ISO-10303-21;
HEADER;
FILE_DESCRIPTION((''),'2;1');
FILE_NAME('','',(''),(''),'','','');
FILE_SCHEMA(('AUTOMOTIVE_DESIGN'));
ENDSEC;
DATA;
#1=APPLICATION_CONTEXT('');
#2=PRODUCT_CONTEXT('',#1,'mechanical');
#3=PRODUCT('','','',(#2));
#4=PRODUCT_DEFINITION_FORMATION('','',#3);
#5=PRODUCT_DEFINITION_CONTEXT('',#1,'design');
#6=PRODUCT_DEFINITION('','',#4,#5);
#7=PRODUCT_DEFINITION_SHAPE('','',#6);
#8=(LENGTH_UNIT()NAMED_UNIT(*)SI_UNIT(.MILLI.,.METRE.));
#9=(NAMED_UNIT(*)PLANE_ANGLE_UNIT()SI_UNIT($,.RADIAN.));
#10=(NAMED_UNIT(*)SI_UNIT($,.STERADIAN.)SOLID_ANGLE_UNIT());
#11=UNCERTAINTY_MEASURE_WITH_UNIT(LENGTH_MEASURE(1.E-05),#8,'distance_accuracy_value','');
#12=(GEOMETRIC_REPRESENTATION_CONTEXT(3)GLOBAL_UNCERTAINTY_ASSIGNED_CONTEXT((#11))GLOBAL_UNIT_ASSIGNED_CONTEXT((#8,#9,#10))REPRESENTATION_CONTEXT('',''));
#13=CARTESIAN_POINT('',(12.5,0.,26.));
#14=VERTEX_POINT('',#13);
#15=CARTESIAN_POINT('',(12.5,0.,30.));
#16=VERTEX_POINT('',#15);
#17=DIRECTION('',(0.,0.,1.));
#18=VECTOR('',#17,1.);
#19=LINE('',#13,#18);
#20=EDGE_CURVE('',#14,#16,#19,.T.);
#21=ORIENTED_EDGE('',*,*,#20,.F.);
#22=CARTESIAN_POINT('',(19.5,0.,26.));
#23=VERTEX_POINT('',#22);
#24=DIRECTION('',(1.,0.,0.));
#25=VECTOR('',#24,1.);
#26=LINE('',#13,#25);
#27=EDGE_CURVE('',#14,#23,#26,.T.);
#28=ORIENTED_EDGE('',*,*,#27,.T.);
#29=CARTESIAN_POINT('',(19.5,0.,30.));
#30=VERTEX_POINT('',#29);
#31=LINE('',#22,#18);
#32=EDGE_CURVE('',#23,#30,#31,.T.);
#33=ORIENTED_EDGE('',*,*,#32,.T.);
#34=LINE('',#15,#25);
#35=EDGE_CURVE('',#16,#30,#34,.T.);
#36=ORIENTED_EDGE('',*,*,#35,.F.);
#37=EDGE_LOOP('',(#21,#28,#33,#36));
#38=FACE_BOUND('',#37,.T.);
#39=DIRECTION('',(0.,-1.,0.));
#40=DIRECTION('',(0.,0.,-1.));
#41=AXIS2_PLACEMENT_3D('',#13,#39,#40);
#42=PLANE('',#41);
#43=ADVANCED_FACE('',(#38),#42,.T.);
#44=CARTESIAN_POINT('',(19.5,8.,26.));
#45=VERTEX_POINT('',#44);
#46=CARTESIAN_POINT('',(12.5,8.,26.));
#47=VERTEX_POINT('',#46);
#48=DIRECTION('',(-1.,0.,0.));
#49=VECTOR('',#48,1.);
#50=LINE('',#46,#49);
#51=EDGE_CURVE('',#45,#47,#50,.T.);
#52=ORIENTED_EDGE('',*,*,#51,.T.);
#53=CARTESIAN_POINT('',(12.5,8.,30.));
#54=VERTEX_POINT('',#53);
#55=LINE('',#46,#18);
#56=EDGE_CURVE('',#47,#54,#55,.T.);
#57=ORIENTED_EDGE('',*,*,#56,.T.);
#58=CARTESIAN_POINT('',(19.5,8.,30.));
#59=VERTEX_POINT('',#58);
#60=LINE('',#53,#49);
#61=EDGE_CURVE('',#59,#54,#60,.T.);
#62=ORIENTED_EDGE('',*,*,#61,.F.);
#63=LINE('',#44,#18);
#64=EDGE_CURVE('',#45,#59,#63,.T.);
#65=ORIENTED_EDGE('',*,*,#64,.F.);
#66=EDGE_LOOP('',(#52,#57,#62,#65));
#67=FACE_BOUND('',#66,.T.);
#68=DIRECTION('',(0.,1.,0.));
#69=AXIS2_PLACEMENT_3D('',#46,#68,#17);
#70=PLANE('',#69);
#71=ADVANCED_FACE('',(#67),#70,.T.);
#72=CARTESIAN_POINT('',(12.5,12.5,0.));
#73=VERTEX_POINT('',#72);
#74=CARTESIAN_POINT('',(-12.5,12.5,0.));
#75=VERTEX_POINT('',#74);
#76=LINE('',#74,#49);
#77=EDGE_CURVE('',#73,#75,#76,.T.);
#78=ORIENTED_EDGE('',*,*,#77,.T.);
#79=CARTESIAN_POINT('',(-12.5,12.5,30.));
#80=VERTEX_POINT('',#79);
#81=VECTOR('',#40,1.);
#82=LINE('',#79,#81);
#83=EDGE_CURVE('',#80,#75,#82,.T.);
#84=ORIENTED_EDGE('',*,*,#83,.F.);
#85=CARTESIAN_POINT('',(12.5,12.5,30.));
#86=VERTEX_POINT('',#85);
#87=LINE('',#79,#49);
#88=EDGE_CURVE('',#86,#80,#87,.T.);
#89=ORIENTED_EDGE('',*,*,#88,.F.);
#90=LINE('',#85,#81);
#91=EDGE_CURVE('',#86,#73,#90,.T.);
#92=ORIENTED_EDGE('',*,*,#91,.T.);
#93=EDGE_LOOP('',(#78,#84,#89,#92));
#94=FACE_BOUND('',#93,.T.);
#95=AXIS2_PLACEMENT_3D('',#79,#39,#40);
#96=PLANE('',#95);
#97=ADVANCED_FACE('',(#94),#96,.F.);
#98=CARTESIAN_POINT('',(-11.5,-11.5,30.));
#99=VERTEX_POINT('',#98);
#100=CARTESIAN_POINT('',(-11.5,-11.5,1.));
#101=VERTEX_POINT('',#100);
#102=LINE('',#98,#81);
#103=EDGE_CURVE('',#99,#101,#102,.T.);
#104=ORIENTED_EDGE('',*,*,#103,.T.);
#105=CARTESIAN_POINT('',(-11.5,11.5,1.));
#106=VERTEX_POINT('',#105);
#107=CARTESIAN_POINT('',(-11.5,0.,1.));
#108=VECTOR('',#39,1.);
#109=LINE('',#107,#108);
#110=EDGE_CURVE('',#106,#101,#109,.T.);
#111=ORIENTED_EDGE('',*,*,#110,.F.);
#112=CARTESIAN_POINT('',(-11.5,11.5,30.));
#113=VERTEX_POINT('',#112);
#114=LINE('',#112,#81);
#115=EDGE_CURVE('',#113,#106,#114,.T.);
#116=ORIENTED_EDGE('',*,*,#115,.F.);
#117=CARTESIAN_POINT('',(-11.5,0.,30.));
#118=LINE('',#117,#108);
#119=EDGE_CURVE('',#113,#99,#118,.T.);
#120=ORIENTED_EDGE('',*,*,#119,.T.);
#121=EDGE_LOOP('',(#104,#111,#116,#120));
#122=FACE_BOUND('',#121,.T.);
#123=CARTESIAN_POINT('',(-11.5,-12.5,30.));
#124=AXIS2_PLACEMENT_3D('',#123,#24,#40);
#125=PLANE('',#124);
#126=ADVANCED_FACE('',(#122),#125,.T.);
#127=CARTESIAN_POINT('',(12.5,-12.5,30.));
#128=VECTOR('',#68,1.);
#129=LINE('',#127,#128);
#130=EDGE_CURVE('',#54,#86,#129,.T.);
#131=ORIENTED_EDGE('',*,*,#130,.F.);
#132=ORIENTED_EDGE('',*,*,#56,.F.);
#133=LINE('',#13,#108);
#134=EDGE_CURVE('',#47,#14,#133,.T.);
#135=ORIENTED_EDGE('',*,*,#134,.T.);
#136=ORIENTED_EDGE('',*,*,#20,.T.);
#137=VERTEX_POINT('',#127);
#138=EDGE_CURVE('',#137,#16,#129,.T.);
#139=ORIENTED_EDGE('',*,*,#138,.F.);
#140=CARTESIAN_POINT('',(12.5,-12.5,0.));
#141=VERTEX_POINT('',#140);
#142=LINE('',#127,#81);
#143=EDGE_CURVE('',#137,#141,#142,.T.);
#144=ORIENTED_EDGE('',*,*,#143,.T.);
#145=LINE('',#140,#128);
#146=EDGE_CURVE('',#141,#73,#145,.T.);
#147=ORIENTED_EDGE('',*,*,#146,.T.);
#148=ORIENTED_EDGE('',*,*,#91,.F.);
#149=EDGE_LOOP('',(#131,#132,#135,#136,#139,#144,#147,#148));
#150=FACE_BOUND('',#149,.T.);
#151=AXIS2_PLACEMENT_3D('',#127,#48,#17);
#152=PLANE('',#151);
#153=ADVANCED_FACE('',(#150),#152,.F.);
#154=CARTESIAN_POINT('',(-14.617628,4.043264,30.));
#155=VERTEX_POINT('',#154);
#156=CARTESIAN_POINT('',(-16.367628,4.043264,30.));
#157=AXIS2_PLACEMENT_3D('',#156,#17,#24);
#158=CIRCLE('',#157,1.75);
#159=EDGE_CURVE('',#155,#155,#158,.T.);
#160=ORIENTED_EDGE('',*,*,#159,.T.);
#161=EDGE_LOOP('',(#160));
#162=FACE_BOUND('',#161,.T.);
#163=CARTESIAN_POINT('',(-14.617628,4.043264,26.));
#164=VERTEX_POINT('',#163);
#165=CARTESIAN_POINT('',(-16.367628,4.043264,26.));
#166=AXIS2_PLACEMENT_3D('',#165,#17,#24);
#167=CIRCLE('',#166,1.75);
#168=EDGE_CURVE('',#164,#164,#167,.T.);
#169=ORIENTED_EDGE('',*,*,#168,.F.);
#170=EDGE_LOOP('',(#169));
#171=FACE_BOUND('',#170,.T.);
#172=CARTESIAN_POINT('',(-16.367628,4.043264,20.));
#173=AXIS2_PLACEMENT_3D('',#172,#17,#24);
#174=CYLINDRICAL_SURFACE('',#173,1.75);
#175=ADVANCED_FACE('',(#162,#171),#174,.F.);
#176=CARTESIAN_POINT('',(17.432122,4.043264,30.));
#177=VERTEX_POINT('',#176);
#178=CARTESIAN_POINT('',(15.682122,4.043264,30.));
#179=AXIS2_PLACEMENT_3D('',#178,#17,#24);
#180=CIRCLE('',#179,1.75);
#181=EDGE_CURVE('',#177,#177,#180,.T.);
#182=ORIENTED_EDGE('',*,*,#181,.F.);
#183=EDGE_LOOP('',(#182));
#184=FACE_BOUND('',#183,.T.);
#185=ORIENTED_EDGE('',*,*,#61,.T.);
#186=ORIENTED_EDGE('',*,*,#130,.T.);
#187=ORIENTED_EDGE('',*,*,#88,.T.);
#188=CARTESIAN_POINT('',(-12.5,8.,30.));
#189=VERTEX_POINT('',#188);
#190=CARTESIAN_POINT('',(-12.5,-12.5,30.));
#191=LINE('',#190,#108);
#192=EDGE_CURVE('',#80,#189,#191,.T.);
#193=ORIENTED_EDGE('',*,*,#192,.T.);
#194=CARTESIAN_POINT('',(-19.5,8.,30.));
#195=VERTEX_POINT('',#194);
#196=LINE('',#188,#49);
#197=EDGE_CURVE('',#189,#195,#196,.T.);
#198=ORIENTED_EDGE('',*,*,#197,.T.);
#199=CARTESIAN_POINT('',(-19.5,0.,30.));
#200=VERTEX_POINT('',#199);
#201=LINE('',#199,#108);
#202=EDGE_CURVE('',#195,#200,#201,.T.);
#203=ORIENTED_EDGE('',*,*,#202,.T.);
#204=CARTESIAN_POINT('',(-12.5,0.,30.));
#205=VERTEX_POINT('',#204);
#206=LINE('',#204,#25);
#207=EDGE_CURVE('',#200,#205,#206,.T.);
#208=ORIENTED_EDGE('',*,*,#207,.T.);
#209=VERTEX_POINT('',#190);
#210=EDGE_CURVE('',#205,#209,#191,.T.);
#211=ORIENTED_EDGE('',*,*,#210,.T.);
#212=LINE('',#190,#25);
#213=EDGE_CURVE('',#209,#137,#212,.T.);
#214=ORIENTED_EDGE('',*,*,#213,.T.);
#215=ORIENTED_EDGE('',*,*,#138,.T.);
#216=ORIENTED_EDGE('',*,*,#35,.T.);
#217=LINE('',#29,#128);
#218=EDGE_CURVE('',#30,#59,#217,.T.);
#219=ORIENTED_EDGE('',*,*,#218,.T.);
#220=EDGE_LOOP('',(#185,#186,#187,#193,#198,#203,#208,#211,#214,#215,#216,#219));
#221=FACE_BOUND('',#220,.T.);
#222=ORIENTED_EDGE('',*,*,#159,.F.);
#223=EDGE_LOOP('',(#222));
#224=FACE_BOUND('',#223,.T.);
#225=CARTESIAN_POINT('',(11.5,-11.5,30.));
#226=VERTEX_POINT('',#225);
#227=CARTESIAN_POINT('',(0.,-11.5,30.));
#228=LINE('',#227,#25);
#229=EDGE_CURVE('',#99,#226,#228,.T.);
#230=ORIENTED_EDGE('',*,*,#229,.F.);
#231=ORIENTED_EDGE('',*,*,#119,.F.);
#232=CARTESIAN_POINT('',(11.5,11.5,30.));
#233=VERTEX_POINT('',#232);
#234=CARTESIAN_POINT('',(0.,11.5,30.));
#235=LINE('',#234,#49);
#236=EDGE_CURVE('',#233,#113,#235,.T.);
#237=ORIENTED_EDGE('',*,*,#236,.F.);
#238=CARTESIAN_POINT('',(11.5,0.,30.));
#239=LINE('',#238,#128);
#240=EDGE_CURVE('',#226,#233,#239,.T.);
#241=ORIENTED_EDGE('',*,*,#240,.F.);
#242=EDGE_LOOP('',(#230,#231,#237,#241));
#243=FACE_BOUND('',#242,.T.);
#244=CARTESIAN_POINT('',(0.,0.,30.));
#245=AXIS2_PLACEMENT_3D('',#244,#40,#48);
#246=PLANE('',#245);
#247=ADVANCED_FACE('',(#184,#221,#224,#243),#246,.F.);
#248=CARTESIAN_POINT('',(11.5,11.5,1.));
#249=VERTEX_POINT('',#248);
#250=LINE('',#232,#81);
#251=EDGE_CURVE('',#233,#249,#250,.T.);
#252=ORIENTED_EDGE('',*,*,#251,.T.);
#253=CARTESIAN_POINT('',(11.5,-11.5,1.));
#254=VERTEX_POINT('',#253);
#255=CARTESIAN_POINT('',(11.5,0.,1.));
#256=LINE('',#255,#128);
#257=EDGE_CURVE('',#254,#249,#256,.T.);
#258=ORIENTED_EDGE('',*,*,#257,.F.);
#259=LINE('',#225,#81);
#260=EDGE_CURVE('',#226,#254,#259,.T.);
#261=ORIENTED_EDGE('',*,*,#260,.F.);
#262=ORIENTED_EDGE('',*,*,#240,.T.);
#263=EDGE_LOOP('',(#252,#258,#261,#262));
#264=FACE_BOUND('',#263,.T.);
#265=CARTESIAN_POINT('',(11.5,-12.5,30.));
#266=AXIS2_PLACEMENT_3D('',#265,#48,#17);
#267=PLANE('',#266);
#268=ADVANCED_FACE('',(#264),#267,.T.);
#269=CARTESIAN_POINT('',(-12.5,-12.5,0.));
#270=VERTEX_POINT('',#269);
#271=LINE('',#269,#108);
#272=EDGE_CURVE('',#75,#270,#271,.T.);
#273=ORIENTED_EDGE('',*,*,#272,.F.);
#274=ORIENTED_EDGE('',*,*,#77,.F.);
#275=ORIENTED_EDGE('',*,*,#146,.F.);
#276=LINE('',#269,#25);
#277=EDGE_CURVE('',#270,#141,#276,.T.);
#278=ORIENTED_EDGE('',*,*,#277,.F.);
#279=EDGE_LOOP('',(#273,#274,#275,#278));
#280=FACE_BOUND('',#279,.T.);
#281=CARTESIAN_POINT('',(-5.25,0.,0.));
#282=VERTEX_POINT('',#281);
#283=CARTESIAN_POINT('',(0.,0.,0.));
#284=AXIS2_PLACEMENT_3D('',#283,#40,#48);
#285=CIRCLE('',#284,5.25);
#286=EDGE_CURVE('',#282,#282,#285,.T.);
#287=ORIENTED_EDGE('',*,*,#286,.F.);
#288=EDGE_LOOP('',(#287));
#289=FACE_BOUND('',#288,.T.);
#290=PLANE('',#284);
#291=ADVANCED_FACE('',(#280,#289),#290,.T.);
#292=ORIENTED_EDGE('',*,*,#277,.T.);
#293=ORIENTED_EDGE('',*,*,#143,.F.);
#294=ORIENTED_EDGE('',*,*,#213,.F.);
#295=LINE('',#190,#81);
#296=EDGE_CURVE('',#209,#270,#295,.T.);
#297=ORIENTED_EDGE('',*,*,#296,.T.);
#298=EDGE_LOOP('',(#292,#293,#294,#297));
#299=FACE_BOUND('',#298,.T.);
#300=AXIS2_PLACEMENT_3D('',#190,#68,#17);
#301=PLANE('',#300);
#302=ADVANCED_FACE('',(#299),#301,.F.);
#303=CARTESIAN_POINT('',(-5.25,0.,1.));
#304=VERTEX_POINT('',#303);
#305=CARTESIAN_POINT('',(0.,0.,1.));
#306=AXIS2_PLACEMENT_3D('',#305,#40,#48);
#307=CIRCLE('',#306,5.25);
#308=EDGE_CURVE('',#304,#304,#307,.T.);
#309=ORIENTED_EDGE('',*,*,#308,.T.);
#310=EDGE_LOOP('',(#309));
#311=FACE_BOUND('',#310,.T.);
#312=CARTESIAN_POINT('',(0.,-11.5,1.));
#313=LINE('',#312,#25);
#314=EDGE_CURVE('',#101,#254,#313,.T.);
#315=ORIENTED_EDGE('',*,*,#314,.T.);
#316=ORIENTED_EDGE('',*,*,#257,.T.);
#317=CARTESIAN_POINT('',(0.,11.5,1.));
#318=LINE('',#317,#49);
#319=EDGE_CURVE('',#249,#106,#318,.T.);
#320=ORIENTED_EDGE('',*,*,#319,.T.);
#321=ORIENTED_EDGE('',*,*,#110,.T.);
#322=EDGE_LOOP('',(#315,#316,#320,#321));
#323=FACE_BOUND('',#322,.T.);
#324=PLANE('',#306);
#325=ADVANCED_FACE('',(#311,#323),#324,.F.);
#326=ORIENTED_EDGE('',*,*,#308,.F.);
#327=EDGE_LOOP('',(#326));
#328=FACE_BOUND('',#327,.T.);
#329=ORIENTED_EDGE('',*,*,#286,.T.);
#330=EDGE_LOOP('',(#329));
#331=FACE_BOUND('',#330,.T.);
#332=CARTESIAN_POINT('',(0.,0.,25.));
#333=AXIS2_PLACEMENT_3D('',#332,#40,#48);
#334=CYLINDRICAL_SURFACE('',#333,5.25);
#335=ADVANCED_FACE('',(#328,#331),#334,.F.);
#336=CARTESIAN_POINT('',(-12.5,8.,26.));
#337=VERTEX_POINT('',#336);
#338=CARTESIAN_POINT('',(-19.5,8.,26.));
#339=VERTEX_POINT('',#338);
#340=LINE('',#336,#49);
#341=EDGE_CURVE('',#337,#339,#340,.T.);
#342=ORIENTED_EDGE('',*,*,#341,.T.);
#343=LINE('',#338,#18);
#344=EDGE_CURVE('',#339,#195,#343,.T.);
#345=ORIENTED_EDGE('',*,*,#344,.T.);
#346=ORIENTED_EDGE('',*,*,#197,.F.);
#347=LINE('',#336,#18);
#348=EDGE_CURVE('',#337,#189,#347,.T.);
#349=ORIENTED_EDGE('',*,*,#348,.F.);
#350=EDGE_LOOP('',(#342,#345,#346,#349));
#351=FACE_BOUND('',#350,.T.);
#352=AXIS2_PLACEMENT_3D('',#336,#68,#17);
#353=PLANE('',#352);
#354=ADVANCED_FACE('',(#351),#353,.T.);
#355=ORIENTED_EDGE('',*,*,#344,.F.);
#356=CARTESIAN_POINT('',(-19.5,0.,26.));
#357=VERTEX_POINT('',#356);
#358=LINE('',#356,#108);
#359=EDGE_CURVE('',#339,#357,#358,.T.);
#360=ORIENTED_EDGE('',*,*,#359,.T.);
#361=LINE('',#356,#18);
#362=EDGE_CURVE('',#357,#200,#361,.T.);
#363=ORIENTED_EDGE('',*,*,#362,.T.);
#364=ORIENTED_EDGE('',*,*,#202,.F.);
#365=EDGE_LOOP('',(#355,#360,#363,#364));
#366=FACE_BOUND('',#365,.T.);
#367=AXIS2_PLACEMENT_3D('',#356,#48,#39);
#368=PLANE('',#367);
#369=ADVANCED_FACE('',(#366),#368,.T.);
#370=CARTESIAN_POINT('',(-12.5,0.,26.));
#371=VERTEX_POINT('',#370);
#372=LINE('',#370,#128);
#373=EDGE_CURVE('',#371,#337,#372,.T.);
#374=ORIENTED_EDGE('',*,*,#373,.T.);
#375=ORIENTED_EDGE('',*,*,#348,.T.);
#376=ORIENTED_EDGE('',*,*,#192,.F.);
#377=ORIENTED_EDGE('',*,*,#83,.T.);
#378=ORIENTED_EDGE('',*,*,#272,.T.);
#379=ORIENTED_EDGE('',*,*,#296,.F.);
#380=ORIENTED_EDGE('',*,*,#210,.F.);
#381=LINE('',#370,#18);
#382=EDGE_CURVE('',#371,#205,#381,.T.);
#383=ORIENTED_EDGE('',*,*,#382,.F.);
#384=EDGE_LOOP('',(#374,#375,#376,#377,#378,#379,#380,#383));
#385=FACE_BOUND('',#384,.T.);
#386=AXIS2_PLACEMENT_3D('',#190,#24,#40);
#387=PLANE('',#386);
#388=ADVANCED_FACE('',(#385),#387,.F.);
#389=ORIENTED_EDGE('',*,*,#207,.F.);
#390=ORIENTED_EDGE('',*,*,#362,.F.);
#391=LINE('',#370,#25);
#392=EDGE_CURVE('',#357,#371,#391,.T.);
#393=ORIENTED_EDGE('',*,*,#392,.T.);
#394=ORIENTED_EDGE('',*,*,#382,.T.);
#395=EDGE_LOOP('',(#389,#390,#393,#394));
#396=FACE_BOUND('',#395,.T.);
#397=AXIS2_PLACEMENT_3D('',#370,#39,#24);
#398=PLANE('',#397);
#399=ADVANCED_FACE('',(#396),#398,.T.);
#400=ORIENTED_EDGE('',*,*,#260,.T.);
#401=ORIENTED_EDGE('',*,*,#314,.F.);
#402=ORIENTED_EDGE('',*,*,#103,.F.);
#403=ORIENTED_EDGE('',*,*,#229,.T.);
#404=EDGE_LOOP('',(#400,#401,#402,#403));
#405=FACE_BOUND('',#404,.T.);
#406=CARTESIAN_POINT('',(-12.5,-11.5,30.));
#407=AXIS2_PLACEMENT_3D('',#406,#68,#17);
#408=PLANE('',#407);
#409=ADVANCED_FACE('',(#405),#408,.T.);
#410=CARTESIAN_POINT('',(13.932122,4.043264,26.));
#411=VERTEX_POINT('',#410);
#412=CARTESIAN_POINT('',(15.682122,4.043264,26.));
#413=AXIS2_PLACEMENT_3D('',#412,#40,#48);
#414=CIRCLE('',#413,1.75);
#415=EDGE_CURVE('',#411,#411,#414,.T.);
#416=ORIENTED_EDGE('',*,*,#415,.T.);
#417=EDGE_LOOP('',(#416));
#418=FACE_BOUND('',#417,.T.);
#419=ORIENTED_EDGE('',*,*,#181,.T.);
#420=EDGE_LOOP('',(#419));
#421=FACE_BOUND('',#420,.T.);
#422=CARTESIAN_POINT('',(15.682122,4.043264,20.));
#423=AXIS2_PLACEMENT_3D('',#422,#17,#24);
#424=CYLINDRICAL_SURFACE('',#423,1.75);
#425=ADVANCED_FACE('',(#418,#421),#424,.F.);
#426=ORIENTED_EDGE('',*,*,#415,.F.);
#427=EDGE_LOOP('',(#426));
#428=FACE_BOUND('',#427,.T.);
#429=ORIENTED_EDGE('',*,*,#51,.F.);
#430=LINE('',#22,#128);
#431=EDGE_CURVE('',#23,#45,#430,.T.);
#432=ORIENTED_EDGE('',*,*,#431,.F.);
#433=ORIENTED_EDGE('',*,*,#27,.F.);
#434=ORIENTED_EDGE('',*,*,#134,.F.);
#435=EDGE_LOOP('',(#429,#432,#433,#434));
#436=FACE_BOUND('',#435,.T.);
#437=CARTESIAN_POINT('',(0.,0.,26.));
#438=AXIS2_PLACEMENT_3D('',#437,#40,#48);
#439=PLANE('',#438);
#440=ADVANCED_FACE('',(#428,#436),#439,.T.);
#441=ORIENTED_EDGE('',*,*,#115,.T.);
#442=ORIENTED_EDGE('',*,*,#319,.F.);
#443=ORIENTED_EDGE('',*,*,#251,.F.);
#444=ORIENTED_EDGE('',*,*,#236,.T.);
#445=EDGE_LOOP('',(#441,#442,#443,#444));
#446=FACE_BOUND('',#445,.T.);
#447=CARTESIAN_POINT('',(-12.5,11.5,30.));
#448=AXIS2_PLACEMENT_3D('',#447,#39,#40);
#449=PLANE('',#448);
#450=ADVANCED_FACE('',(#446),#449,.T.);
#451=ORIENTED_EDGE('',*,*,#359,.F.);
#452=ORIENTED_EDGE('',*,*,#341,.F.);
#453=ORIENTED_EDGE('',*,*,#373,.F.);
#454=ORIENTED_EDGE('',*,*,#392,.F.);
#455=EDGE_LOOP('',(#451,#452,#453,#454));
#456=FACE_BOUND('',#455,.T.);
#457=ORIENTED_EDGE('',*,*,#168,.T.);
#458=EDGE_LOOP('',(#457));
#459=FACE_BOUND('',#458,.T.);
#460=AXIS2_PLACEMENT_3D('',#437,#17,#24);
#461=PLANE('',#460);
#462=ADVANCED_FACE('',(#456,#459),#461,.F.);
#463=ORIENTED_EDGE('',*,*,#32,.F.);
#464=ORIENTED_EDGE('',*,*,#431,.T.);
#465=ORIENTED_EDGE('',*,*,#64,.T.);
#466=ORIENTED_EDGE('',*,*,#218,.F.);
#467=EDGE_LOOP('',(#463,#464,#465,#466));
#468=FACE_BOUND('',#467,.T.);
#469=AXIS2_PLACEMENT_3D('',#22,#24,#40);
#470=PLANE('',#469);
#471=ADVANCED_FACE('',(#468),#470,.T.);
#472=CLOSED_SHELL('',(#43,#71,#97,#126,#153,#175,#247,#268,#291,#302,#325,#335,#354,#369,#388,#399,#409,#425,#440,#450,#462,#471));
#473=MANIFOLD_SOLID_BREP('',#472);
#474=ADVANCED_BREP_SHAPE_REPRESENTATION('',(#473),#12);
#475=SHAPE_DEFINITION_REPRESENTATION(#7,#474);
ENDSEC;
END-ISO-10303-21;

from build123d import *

# Parameters (mm, degrees)
SKETCH1_W           = 25
SKETCH1_H           = 25
BOSS_EXTRUDE2_DEPTH = 30
SHELL3_T            = -1
SKETCH4_R           = 5.25
CUT_EXTRUDE2_DEPTH  = 25
SKETCH5_W           = 7
SKETCH5_H           = 8
BOSS_EXTRUDE3_DEPTH = 4
SKETCH6_R           = 1.75
CUT_EXTRUDE3_DEPTH  = 10


with BuildPart() as part:
    # Sketch1 → Boss-Extrude2 (new body)
    with BuildSketch(Plane.XY):
        Rectangle(SKETCH1_W, SKETCH1_H)
    extrude(amount=BOSS_EXTRUDE2_DEPTH)

    # Shell3
    shell3_openings = [part.faces().sort_by_distance(p)[0] for p in [
        (0, 0, 30),
    ]]
    offset(amount=SHELL3_T, openings=shell3_openings, kind=Kind.INTERSECTION)

    # Sketch4 → Cut-Extrude2 (cut)
    with BuildSketch(Plane(origin=(0, 0, 0), x_dir=(-1, 0, 0), z_dir=(0, 0, -1))):
        Circle(SKETCH4_R)
    extrude(amount=-CUT_EXTRUDE2_DEPTH, mode=Mode.SUBTRACT)

    # Sketch5 → Boss-Extrude3 (add)
    with BuildSketch(Plane.XY.offset(30)):
        with Locations((16, 4)):
            Rectangle(SKETCH5_W, SKETCH5_H)
        with Locations((-16, 4)):
            Rectangle(SKETCH5_W, SKETCH5_H)
    extrude(amount=-BOSS_EXTRUDE3_DEPTH)

    # Sketch6 → Cut-Extrude3 (cut)
    with BuildSketch(Plane.XY.offset(30)):
        with Locations((15.682122387, 4.043264387)):
            Circle(SKETCH6_R)
        with Locations((-16.367627776, 4.043264387)):
            Circle(SKETCH6_R)
    extrude(amount=-CUT_EXTRUDE3_DEPTH, mode=Mode.SUBTRACT)


solid = part.part
